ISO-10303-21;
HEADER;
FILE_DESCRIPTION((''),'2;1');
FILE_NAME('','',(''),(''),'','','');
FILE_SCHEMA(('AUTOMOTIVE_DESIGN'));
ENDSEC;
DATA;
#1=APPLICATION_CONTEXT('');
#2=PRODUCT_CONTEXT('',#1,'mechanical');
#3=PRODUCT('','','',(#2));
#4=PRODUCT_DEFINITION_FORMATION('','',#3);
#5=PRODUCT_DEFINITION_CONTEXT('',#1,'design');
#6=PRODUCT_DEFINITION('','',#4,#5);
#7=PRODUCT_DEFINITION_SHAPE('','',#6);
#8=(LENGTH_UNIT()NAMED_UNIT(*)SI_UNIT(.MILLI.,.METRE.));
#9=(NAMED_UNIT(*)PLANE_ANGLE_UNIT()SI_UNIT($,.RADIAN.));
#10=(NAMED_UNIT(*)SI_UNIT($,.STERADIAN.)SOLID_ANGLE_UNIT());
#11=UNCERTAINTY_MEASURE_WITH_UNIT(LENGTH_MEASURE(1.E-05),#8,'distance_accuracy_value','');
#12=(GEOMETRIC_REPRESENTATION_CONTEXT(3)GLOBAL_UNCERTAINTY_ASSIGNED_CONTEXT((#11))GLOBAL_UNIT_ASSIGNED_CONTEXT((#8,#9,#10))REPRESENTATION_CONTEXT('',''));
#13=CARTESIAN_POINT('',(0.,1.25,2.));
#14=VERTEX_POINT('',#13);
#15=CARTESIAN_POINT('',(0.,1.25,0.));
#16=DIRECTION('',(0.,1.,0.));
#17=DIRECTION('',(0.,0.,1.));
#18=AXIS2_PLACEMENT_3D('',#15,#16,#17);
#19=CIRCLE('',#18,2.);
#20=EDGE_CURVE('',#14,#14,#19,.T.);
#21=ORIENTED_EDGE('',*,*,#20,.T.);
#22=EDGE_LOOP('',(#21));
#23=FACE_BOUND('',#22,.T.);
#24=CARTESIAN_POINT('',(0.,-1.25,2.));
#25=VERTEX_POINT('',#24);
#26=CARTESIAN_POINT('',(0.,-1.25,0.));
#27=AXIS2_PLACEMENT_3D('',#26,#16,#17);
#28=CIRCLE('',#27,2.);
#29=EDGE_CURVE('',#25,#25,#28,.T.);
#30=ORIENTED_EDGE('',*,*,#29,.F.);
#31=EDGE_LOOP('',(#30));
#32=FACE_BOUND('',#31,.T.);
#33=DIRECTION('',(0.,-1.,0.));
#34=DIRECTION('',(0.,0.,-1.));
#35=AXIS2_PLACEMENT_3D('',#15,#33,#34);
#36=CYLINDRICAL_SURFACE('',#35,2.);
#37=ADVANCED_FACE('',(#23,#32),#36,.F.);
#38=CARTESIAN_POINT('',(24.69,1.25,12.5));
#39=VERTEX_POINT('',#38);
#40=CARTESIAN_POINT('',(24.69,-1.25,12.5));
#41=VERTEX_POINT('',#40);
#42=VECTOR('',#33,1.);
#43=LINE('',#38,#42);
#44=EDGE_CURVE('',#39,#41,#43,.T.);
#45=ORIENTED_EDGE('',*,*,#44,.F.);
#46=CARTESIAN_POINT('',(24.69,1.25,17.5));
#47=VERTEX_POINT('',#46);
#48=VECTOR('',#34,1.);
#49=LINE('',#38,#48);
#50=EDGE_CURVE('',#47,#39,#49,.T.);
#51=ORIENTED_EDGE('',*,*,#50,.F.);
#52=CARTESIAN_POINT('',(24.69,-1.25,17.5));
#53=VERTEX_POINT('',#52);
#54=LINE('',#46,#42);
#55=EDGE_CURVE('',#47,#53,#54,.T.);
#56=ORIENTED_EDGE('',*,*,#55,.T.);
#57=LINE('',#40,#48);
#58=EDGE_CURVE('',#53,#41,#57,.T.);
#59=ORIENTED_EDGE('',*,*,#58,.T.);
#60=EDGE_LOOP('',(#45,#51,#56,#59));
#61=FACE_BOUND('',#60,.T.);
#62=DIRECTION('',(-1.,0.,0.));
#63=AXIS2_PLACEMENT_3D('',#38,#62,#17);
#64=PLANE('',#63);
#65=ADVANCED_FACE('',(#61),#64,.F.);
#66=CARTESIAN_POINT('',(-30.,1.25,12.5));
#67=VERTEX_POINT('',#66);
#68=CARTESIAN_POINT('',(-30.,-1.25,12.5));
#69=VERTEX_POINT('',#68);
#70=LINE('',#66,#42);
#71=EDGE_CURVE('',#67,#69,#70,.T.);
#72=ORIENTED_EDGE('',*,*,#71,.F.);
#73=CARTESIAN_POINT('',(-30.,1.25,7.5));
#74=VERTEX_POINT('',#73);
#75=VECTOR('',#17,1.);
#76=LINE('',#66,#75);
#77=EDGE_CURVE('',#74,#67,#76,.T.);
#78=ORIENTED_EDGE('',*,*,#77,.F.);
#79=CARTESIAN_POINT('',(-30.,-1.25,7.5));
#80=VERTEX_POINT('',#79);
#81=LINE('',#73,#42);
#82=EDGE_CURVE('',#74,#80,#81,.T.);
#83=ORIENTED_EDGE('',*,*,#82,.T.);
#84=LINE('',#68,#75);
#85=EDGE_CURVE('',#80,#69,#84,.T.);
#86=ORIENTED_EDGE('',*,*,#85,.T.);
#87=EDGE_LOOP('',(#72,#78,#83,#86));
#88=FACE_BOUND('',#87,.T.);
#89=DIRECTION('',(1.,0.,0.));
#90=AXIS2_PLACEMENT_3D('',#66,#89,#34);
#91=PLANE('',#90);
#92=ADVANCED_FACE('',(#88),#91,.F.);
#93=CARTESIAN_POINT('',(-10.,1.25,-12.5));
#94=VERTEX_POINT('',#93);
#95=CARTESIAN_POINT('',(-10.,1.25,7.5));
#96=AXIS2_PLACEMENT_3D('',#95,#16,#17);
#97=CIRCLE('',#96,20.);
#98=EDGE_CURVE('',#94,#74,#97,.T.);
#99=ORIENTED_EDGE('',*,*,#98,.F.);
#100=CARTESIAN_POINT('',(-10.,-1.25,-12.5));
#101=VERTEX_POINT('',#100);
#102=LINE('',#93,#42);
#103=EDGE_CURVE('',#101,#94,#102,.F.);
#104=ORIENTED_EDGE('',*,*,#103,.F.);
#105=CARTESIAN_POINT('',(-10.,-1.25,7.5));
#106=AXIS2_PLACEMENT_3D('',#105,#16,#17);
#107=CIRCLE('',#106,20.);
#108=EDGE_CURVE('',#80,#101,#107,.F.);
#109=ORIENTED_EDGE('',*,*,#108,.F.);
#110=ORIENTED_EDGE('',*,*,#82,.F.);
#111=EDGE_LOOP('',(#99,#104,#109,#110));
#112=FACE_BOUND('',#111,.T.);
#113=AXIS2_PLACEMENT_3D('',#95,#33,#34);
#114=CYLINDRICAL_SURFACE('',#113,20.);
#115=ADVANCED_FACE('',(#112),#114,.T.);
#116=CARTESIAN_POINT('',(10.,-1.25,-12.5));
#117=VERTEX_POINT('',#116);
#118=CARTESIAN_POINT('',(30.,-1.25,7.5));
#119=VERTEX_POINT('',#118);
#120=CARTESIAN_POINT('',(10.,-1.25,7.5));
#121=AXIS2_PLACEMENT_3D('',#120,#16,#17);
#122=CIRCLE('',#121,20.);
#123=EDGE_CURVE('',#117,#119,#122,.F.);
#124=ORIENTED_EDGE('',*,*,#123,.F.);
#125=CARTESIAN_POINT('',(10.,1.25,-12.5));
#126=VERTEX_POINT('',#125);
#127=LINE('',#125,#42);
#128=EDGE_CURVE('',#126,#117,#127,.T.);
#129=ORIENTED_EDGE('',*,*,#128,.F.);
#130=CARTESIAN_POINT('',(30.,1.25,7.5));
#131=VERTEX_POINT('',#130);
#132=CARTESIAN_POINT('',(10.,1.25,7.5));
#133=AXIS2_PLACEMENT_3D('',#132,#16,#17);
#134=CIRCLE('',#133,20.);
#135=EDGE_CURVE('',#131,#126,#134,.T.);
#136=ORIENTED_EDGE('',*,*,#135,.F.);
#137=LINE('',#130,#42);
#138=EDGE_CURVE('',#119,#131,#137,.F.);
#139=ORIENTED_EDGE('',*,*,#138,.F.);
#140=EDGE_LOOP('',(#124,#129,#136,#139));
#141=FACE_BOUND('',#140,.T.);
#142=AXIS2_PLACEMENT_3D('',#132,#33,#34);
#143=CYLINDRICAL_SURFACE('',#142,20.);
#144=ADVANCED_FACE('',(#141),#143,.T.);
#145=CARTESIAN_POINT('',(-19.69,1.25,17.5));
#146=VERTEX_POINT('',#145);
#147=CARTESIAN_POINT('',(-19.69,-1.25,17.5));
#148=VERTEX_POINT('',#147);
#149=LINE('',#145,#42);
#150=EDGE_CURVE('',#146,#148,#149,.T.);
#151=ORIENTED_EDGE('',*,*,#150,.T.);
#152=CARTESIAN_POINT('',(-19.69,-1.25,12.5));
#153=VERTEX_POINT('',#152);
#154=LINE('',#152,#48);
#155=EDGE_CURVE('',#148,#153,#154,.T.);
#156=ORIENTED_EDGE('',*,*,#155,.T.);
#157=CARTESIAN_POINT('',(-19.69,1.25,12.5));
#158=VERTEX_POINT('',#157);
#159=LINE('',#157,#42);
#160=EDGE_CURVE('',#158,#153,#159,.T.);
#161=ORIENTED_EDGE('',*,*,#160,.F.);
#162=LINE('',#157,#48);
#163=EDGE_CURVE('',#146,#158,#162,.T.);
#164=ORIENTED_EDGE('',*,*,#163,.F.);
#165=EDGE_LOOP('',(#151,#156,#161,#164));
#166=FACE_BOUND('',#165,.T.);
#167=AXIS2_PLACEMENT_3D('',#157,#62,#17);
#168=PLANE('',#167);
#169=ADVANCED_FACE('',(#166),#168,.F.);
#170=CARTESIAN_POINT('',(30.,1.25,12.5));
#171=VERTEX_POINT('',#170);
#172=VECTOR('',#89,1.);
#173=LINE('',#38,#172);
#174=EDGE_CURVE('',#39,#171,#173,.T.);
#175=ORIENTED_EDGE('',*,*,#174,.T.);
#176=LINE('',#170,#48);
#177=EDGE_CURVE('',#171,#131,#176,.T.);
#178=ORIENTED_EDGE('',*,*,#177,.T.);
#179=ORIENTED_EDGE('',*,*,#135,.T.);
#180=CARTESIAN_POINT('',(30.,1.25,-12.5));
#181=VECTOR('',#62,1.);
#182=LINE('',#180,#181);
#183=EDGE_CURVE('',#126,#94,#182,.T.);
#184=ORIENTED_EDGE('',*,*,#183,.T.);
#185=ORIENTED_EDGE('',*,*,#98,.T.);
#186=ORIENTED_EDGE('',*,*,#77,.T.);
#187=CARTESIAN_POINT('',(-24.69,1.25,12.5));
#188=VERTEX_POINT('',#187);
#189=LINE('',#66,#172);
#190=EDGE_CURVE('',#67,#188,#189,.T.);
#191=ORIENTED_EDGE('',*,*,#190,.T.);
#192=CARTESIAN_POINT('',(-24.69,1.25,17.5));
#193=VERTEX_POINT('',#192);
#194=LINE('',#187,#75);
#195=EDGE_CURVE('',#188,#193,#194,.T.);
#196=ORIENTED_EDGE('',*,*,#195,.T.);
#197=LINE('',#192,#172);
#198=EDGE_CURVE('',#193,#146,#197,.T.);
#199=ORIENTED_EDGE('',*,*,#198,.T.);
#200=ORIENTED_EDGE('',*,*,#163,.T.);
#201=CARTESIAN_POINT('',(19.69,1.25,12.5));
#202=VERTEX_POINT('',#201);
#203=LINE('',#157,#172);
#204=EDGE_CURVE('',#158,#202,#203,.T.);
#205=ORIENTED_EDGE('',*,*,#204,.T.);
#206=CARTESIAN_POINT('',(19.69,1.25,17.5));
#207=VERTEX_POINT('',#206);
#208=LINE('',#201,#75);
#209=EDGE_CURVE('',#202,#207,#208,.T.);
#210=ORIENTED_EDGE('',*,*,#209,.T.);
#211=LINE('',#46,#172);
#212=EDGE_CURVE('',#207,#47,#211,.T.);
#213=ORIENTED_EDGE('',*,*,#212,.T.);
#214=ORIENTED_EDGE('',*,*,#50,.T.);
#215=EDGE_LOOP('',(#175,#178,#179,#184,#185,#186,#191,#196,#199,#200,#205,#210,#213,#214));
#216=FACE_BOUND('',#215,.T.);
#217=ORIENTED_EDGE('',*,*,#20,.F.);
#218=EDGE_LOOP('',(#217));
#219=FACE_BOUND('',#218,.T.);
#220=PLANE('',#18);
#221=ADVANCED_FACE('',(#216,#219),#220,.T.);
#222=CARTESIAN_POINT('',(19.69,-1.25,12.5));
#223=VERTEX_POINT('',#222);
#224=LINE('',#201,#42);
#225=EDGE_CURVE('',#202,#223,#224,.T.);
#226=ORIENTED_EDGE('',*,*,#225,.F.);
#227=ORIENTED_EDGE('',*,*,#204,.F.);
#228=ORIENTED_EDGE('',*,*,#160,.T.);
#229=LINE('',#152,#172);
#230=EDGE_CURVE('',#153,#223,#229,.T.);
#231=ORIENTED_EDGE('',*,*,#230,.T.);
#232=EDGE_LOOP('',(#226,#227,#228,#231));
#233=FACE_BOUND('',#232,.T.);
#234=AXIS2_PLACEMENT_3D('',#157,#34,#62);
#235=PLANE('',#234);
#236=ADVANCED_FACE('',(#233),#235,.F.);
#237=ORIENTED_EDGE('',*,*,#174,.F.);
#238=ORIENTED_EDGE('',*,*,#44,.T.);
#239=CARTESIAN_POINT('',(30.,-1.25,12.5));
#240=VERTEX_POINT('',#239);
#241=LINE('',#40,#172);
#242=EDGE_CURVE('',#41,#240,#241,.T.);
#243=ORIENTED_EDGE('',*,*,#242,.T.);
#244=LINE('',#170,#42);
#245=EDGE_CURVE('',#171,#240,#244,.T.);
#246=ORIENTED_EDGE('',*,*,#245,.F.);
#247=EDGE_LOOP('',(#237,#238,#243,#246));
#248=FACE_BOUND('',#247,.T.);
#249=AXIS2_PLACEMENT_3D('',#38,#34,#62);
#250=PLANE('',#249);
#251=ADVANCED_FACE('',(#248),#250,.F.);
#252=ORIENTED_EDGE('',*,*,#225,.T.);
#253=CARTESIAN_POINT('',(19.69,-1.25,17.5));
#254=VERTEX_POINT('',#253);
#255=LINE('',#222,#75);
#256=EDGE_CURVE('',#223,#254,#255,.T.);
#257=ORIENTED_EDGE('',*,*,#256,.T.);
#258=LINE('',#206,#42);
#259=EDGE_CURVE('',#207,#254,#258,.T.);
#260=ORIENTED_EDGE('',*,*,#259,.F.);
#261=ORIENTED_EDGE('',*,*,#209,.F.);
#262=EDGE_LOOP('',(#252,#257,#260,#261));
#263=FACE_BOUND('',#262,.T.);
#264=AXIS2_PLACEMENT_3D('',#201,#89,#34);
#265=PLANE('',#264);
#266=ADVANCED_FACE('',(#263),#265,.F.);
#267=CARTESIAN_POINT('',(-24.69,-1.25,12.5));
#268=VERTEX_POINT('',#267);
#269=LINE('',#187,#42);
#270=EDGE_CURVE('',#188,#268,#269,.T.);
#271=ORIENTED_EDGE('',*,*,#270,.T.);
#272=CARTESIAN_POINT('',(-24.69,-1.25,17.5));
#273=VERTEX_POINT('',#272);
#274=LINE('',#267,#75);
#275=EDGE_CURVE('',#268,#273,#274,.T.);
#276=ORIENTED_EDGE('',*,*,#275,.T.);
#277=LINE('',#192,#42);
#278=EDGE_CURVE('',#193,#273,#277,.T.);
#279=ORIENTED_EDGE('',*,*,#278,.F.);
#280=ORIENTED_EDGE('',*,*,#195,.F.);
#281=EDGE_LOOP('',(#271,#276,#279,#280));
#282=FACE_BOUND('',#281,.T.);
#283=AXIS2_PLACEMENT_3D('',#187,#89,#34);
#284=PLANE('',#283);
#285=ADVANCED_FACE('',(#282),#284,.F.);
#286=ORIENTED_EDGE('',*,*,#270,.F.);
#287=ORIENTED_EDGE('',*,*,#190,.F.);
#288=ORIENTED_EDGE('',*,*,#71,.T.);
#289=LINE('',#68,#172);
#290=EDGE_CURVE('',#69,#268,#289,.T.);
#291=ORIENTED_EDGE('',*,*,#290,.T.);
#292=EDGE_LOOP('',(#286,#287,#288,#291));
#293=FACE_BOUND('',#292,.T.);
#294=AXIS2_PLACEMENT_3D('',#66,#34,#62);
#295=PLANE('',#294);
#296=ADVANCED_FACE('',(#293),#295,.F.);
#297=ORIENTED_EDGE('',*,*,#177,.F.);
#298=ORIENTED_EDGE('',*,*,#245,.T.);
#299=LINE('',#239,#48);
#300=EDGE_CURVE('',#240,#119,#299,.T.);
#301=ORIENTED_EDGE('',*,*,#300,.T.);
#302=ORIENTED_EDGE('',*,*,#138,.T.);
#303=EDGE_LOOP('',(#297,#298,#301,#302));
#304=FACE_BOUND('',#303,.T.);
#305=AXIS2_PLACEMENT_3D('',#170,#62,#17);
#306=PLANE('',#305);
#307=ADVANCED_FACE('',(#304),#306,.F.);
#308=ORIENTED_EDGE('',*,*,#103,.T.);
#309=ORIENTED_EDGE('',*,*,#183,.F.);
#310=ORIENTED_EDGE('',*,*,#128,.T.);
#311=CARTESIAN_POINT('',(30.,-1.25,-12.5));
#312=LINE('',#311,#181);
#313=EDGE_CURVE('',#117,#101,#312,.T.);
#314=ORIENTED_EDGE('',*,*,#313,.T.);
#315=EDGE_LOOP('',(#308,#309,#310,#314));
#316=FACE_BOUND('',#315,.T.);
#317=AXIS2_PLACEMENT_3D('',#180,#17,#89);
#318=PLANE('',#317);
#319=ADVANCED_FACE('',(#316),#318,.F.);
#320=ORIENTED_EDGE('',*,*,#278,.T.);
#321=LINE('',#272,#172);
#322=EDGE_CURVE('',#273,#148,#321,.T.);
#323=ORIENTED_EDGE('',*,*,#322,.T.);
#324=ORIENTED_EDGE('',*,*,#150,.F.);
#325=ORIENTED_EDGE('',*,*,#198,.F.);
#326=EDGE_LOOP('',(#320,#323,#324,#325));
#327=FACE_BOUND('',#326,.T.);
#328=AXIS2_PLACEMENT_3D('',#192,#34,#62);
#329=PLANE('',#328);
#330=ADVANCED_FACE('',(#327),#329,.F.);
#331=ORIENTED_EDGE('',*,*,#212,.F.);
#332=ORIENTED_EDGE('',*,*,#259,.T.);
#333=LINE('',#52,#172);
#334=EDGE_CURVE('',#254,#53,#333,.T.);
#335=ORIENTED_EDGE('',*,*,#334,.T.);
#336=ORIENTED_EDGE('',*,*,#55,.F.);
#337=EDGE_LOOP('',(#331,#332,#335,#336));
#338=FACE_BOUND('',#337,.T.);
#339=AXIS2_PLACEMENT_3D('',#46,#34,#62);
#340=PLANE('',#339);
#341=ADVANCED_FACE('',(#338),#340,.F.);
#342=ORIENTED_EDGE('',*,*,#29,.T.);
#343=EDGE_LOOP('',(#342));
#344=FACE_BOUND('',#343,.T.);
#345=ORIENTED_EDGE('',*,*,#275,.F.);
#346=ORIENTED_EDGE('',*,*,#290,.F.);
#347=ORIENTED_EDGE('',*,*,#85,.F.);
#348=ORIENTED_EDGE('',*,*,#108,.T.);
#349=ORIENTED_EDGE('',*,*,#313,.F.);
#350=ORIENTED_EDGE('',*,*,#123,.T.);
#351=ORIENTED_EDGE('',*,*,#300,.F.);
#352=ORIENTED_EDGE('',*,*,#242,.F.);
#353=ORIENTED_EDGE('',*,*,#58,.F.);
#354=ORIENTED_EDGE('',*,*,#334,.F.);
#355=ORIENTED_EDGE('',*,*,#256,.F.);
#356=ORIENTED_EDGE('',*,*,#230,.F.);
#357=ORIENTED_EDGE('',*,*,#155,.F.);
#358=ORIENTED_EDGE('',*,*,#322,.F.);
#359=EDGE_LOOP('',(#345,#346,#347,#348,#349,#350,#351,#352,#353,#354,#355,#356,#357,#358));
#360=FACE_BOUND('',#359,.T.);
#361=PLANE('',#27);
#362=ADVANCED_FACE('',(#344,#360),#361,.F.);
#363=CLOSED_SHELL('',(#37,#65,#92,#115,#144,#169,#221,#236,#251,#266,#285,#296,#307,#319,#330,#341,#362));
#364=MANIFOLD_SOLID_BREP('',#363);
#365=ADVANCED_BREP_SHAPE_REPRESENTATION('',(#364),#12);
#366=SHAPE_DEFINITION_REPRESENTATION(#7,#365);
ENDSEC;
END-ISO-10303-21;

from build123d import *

# Parameters (mm, degrees)
SKETCH1_R           = 2
BOSS_EXTRUDE1_DEPTH = 1.25
FILLET1_R           = 20


with BuildPart() as part:
    # Sketch1 → Boss-Extrude1 (new, symmetric)
    with BuildSketch(Plane(origin=(0, 0, 0), x_dir=(1, 0, 0), z_dir=(0, 1, 0))):
        Polygon((30, -12.5), (30, 12.5), (-30, 12.5), (-30, -12.5), (-24.69, -12.5), (-24.69, -17.5), (-19.69, -17.5), (-19.69, -12.5), (19.69, -12.5), (19.69, -17.5), (24.69, -17.5), (24.69, -12.5), align=None)
        with Locations(Location((0, 0, 0), (0, 0, 270))):
            Circle(SKETCH1_R, mode=Mode.SUBTRACT)
    extrude(amount=BOSS_EXTRUDE1_DEPTH, both=True)

    # Fillet1
    fillet1_edges = [part.edges().sort_by_distance(p)[0] for p in [
        (-30, 0, -12.5),
        (30, 0, -12.5),
    ]]
    fillet(fillet1_edges, radius=FILLET1_R)


solid = part.part
